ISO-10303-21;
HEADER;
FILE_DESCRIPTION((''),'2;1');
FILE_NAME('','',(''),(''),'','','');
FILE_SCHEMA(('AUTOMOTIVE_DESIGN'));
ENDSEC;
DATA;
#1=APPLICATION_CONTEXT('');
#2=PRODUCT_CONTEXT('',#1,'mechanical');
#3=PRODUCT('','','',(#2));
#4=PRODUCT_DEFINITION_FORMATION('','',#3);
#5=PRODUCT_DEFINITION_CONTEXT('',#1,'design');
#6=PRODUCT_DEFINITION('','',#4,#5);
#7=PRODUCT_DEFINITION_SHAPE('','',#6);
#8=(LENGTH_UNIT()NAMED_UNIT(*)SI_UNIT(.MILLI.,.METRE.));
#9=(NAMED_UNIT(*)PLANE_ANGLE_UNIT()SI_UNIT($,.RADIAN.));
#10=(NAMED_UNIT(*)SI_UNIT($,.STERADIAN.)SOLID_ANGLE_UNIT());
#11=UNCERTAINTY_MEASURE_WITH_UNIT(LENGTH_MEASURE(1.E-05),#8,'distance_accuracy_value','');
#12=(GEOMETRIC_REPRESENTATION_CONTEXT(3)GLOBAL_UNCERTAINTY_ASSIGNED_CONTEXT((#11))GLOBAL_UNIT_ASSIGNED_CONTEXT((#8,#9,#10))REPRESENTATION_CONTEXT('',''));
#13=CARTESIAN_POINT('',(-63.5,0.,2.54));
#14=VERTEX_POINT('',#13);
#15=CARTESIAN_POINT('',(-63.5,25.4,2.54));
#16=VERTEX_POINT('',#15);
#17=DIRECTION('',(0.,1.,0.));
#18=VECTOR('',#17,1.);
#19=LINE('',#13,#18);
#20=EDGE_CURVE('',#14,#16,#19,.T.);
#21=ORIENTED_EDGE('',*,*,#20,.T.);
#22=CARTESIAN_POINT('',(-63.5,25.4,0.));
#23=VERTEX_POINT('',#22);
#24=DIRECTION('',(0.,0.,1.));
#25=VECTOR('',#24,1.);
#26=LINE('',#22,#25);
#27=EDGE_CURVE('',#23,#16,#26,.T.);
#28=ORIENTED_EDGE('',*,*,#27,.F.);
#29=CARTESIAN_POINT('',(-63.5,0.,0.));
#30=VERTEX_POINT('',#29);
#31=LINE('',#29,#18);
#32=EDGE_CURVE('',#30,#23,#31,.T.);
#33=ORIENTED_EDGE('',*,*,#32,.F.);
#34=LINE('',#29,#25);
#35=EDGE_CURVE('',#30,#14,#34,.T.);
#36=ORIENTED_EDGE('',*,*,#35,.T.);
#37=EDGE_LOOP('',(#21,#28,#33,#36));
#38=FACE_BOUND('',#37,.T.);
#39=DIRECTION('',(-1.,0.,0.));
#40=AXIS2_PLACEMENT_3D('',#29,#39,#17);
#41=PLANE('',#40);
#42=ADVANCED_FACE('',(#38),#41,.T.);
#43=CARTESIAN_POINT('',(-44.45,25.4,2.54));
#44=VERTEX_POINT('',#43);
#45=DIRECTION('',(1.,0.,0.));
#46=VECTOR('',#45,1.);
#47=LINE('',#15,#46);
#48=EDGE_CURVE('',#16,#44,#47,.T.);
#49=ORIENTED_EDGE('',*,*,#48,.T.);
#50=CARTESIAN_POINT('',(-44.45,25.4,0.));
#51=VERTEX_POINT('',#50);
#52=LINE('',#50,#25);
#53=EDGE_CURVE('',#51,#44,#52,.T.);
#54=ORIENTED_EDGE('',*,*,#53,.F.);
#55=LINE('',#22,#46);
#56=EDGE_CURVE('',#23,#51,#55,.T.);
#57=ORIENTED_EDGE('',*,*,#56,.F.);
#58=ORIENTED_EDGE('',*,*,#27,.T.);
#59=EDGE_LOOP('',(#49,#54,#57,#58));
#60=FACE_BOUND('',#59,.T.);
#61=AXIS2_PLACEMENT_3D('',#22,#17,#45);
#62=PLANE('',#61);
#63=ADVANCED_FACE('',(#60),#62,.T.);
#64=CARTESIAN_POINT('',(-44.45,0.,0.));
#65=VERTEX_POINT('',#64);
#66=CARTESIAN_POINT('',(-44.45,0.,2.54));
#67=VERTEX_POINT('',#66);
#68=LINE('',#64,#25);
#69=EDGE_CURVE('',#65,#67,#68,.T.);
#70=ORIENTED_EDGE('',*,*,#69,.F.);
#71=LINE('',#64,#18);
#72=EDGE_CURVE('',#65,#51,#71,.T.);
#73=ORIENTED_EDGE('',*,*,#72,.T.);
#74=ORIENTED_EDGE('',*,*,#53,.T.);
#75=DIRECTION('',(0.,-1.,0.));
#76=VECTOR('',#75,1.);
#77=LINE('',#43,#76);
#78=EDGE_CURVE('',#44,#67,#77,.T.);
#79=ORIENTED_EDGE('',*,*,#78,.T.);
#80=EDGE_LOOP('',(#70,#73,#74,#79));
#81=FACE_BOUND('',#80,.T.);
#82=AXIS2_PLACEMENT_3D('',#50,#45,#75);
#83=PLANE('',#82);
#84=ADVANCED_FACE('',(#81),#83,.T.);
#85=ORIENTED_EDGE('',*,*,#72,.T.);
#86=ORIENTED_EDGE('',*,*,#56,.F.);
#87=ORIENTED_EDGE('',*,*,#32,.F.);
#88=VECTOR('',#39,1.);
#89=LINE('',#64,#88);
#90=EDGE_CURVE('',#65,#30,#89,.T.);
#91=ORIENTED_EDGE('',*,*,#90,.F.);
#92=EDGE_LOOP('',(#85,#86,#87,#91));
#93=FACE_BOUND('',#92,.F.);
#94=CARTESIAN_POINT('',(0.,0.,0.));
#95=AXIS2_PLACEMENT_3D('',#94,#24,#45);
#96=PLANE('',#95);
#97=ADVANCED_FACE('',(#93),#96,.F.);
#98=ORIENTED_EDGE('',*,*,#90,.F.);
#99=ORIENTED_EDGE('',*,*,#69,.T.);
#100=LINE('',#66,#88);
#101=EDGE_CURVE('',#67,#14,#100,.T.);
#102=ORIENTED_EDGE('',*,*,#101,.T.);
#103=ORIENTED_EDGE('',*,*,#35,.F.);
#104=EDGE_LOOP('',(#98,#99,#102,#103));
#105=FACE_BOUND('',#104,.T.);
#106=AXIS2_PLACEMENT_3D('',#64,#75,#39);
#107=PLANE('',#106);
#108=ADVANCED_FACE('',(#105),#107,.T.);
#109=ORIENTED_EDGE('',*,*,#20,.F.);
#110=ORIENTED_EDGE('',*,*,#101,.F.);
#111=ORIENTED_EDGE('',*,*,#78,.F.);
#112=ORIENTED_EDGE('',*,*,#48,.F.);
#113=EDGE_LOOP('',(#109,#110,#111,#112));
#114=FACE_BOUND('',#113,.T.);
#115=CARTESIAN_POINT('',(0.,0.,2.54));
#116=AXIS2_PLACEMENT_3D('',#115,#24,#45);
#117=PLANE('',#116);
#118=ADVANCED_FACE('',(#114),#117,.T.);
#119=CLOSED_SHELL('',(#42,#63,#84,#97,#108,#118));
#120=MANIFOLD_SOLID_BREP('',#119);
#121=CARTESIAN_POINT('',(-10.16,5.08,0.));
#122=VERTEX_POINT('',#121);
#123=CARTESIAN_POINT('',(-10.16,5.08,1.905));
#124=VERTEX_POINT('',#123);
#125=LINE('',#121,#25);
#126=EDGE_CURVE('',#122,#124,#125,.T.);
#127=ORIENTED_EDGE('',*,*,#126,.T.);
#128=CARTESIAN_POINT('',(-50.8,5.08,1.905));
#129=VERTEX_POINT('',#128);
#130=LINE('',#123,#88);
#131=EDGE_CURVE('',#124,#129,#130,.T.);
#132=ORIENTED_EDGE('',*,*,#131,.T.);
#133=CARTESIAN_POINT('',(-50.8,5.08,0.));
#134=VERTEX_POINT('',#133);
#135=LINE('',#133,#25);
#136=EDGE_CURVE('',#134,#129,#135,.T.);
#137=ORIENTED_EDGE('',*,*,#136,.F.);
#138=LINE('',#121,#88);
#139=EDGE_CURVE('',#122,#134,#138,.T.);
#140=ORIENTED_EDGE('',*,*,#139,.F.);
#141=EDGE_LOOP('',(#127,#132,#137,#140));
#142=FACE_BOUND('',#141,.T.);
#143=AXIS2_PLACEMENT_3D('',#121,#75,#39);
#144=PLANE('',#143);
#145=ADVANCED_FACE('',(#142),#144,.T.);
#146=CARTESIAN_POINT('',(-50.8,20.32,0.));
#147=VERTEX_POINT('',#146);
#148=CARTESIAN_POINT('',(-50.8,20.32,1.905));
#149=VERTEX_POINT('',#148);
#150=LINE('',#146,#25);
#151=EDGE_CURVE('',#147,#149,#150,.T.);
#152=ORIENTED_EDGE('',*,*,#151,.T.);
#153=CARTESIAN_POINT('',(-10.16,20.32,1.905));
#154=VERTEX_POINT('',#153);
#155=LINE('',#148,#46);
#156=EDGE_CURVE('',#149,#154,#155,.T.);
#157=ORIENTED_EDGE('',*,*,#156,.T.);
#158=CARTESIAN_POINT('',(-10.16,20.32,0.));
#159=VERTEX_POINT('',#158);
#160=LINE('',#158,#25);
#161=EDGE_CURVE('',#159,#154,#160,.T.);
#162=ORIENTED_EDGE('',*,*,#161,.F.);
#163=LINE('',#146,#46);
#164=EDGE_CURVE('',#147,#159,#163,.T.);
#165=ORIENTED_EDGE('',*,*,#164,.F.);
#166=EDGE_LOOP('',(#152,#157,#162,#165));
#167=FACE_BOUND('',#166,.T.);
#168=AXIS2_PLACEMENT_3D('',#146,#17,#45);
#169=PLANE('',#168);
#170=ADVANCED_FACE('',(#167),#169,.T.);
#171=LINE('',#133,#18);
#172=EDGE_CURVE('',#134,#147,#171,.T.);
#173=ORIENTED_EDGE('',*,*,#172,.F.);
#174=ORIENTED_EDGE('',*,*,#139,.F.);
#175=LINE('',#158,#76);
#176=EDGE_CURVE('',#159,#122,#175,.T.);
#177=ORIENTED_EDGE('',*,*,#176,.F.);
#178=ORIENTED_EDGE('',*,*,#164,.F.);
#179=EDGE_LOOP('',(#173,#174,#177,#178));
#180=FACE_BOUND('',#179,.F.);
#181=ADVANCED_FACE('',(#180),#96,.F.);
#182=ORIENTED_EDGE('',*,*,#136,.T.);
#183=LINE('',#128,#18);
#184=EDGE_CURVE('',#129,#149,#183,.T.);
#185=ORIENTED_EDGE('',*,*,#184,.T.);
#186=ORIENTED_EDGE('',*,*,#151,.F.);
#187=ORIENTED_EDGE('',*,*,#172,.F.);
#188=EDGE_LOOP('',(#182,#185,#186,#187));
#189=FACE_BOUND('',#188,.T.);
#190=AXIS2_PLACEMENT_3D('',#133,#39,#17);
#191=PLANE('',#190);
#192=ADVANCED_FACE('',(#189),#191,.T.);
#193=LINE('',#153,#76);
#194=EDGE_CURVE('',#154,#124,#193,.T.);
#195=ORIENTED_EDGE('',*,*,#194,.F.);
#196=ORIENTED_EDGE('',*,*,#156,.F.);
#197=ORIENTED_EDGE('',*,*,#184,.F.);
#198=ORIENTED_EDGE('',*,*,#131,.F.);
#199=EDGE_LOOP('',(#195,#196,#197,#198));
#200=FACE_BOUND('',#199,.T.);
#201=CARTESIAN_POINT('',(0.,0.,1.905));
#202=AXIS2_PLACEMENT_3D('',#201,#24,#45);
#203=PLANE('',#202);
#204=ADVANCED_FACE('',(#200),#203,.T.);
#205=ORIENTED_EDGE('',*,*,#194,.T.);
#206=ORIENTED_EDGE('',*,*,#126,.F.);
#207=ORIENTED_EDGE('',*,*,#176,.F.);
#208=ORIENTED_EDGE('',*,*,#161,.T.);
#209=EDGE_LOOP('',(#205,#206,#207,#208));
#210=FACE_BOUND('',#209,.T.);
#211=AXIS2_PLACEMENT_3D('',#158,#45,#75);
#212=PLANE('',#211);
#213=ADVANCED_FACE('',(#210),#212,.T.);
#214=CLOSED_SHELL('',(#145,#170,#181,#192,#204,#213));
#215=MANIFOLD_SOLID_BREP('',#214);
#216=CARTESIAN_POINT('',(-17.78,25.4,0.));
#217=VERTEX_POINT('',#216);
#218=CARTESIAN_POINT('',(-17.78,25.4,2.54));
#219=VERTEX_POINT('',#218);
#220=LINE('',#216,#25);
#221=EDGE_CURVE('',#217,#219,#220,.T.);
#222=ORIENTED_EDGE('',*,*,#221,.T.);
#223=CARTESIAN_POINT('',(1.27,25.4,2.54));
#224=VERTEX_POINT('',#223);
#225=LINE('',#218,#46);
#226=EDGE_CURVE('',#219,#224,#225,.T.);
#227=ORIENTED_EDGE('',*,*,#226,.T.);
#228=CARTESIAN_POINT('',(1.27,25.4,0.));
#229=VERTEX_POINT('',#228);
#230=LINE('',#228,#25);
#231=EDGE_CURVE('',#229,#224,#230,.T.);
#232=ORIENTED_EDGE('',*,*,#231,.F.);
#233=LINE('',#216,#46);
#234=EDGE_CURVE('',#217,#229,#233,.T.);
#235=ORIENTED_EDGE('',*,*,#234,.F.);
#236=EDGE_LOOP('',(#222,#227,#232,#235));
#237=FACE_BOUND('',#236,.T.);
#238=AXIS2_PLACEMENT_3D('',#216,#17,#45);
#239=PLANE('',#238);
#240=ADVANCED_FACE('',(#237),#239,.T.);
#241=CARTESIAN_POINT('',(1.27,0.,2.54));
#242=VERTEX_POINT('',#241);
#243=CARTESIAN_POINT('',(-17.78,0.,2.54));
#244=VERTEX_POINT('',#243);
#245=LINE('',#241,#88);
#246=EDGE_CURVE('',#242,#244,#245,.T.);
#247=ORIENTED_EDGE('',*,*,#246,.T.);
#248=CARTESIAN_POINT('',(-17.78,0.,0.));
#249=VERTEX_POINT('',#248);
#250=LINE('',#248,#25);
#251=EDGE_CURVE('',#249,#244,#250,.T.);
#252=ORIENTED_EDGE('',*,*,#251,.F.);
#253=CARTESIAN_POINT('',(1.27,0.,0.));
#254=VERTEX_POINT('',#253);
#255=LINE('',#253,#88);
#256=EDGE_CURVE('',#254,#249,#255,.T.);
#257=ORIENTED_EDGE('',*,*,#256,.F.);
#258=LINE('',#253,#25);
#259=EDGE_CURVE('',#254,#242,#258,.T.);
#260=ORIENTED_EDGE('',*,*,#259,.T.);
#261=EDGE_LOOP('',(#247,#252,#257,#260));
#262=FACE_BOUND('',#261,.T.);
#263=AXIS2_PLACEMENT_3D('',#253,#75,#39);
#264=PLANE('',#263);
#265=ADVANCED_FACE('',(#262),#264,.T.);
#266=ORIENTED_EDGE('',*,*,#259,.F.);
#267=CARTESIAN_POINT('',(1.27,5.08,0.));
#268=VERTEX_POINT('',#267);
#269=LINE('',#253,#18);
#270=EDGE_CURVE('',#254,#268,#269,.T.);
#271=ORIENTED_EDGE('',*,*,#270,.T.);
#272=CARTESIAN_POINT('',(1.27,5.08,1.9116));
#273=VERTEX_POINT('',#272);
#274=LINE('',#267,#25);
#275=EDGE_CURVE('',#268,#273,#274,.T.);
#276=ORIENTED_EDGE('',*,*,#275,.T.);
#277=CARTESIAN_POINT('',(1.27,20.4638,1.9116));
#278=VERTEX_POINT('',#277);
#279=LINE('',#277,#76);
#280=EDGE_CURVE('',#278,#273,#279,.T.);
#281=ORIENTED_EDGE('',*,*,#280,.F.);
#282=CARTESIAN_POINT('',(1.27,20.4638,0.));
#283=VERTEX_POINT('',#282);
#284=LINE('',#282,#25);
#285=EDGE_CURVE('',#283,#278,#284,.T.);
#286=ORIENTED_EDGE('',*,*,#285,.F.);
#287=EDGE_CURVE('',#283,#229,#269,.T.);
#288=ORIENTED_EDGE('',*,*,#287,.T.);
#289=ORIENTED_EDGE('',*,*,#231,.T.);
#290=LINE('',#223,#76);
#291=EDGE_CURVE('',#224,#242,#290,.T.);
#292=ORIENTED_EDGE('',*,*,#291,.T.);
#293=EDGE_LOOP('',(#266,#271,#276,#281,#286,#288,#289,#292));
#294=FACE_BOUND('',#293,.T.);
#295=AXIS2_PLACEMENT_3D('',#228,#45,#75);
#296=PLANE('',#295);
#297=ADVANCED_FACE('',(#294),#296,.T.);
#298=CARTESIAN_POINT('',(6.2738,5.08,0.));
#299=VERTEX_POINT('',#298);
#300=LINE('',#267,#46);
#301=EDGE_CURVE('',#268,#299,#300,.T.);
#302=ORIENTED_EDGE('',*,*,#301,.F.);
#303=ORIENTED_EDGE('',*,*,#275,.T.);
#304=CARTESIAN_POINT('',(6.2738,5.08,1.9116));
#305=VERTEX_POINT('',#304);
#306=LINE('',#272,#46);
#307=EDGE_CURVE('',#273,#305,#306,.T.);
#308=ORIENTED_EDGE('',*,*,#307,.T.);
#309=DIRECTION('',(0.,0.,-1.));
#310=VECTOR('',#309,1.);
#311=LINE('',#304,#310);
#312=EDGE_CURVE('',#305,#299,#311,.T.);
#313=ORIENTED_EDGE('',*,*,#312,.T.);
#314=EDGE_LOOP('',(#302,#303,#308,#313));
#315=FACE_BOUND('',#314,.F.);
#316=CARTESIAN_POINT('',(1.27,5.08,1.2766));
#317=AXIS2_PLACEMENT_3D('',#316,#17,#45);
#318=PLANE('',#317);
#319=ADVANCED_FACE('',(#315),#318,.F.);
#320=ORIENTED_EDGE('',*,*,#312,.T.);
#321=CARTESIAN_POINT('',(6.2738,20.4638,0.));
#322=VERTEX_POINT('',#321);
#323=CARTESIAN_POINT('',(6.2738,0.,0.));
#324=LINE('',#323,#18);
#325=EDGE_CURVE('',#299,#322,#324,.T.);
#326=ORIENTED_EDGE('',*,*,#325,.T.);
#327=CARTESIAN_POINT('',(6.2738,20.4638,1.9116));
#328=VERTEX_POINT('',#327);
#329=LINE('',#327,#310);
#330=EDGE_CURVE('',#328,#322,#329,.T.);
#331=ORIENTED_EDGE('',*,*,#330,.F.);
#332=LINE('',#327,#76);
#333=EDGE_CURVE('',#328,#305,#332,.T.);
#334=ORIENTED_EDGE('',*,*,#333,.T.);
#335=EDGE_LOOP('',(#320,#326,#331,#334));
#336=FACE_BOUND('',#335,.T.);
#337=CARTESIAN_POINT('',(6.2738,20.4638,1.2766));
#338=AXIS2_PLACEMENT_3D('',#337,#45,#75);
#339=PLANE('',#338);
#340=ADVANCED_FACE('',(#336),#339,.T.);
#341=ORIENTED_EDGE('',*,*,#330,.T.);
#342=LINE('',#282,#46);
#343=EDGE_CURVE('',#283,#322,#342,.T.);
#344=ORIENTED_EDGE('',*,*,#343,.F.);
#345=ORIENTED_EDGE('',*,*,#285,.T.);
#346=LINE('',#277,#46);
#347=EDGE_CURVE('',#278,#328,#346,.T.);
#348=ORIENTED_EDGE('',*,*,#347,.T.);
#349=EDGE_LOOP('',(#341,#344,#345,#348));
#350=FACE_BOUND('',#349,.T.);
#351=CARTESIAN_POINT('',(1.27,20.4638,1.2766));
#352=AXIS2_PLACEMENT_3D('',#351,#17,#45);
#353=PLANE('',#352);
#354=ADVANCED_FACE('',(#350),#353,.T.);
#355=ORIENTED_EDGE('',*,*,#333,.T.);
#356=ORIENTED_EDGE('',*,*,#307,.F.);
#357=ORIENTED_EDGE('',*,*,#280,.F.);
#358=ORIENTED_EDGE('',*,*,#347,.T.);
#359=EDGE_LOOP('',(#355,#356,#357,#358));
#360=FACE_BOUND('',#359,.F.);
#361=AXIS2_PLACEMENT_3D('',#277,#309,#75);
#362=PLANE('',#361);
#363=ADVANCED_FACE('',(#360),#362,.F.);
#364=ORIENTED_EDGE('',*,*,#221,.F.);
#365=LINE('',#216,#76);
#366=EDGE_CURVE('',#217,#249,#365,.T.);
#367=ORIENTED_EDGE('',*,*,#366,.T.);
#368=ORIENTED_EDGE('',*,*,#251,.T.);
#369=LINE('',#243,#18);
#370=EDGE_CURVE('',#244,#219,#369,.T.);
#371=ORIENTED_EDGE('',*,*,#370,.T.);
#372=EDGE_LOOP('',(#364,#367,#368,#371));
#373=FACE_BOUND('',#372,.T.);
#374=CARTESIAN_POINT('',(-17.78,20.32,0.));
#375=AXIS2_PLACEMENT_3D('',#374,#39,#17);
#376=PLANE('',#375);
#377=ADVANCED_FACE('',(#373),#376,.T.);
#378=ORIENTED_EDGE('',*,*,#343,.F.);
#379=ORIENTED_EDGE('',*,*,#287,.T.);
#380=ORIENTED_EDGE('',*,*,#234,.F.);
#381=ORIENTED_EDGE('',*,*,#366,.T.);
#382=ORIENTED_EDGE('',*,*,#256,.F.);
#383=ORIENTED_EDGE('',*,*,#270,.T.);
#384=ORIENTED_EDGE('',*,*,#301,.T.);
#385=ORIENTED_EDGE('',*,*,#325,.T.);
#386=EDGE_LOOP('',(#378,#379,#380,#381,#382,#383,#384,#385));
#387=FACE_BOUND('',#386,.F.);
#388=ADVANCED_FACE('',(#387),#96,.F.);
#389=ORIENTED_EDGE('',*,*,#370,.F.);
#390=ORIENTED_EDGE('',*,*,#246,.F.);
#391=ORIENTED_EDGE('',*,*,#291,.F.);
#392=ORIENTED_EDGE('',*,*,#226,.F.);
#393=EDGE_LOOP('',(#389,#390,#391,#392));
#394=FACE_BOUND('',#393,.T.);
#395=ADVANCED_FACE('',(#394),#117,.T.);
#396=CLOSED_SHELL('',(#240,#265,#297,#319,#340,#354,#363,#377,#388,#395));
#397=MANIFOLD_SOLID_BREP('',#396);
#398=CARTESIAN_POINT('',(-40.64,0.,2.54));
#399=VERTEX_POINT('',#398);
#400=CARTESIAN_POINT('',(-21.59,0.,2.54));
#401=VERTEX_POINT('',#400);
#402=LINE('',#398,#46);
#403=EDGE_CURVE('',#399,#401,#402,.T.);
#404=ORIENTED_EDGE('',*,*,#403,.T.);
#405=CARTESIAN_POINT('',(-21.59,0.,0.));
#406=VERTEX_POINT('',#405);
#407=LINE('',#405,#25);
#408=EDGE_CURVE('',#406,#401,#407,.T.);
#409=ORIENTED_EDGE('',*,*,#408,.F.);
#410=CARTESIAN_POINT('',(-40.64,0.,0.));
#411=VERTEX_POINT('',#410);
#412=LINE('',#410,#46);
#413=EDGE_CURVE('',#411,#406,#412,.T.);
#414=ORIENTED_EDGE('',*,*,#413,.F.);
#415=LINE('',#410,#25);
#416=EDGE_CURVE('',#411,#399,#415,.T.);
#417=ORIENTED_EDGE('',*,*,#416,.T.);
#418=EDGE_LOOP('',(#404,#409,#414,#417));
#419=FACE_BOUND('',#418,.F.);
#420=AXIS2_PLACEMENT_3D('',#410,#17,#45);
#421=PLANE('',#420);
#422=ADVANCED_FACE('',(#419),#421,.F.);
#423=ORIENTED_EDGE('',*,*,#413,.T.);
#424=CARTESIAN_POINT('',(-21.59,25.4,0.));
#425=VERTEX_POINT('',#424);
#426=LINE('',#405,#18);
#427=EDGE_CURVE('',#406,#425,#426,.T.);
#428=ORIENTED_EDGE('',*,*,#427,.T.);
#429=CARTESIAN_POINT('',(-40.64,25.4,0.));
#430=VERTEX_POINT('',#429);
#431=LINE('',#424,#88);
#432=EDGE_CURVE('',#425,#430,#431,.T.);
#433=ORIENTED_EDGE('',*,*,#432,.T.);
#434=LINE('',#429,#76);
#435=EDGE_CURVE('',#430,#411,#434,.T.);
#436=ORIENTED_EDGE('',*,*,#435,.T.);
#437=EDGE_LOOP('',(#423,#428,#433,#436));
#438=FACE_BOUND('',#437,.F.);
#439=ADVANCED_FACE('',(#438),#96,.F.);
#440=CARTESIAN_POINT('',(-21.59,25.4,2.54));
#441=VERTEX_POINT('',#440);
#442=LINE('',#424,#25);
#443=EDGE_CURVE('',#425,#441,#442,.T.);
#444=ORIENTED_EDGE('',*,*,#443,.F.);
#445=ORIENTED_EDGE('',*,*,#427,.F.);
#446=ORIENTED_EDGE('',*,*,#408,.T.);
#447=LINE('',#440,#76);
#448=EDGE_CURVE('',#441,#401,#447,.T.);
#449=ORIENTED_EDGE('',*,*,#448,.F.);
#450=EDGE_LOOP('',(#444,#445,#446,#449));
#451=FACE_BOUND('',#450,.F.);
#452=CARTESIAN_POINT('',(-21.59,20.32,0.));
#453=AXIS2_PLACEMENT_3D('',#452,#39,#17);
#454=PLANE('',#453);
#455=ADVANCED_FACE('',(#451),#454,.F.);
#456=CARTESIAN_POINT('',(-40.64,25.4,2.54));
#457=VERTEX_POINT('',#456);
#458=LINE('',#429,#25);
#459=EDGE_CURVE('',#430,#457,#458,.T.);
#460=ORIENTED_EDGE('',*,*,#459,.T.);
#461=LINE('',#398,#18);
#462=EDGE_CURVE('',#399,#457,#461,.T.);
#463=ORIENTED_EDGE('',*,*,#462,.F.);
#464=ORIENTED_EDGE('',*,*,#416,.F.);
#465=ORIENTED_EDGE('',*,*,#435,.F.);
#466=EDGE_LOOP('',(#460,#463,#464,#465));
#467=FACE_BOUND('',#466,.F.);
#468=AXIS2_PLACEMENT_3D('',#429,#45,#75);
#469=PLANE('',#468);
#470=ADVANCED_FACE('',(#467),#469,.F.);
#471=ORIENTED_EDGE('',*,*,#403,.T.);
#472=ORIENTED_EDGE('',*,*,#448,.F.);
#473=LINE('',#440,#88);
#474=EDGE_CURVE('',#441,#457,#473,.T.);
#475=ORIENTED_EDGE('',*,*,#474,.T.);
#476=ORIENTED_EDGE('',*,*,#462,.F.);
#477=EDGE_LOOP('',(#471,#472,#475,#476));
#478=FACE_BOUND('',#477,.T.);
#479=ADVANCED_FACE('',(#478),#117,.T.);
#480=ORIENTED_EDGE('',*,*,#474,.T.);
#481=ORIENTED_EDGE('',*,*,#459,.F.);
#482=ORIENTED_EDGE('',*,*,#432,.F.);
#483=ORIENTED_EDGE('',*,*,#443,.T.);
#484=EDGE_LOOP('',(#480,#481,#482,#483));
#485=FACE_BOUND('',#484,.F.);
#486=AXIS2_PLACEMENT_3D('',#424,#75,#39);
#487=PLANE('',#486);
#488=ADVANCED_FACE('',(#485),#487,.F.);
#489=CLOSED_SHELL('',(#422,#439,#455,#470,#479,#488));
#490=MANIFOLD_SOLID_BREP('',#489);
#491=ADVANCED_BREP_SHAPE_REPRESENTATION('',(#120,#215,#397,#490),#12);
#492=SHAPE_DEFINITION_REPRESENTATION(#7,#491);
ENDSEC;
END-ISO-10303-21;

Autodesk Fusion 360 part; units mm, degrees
sketch "Sketch1" plane through (0, 0, 0) normal (0, 0, 1) x (1, 0, 0)
  line L0 (-63.5, 25.4) -> (-44.45, 25.4)
  line L1 (-44.45, 25.4) -> (-44.45, 0)
  line L2 (-44.45, 0) -> (-63.5, 0)
  line L3 (-63.5, 0) -> (-63.5, 25.4)
  line L4 (-44.45, 20.2856) -> (-40.64, 20.2856)
  line L5 (-40.64, 20.2856) -> (-40.64, 5.0456)
  line L6 (-40.64, 5.0456) -> (-44.45, 5.0456)
  line L7 (-44.45, 5.0456) -> (-44.45, 20.2856)
  line L8 (-40.64, 0) -> (-21.59, 0)
  line L9 (-21.59, 0) -> (-21.59, 25.4)
  line L10 (-21.59, 25.4) -> (-40.64, 25.4)
  line L11 (-40.64, 25.4) -> (-40.64, 0)
  line L12 (-21.59, 5.0849) -> (-17.78, 5.0849)
  line L13 (-17.78, 5.0849) -> (-17.78, 20.32)
  line L14 (-17.78, 20.32) -> (-21.59, 20.32)
  line L15 (-21.59, 20.32) -> (-21.59, 5.0849)
  line L16 (-17.78, 25.4) -> (1.27, 25.4)
  line L17 (1.27, 25.4) -> (1.27, 0)
  line L18 (1.27, 0) -> (-17.78, 0)
  line L19 (-17.78, 0) -> (-17.78, 25.4)
  line L20 (1.27, 20.2099) -> (5.08, 20.2099)
  line L21 (5.08, 20.2099) -> (5.08, 4.9699)
  line L22 (5.08, 4.9699) -> (1.27, 4.9699)
  line L23 (1.27, 4.9699) -> (1.27, 20.2099)
  dimension "d1" = 19.05
  dimension "d2" = 25.4
  dimension "d3" = 15.24
  dimension "d4" = 19.05
  dimension "d5" = 19.05
  dimension "d6" = 3.81
  dimension "d7" = 15.24
extrude "Extrude1" add sketch "Sketch1" along normal blind 2.54 contours L0 L1 L2 L3 L7 | L5 L8 L9 L10 L11 L15 | L13 L16 L17 L18 L19 L23 makes body 1 at (-11.43, 16.9333, 0) makes body 2 at (-34.29, 16.9333, 0) makes body 3 at (-57.15, 8.4667, 0)
sketch "Sketch2" plane through (0, 0, 0) normal (0, 0, 1) x (1, 0, 0)
  line L0 (-50.8, 20.32) -> (-10.16, 20.32)
  line L1 (-10.16, 20.32) -> (-10.16, 5.08)
  line L2 (-10.16, 5.08) -> (-50.8, 5.08)
  line L3 (-50.8, 5.08) -> (-50.8, 20.32)
extrude "Extrude2" add sketch "Sketch2" along normal blind 1.905 separate body makes body 4
sketch "Sketch3" plane through (1.27, 0, 0) normal (1, 0, 0) x (0, 1, 0)
  line L0 (0, 0) -> (25.4, 0)
  line L1 (25.4, 0) -> (25.4, 2.54)
  line L2 (25.4, 2.54) -> (0, 2.54)
  line L3 (0, 2.54) -> (0, 0)
  line L4 (5.08, 0) -> (20.4638, 0)
  line L5 (20.4638, 0) -> (20.4638, 1.2766)
  line L6 (20.4638, 1.2766) -> (5.08, 1.2766)
  line L7 (5.08, 1.2766) -> (5.08, 0)
extrude "Extrude3" add sketch "Sketch3" along normal blind 5.0038 contours L0 L4 L5 L6 L7 bodies 1
extrude "Extrude4" add 1 faces at (2.9379, 15.3358, 1.2766) along direction (0, 0, 1) blind 0.635 on bodies 1 bodies 1
